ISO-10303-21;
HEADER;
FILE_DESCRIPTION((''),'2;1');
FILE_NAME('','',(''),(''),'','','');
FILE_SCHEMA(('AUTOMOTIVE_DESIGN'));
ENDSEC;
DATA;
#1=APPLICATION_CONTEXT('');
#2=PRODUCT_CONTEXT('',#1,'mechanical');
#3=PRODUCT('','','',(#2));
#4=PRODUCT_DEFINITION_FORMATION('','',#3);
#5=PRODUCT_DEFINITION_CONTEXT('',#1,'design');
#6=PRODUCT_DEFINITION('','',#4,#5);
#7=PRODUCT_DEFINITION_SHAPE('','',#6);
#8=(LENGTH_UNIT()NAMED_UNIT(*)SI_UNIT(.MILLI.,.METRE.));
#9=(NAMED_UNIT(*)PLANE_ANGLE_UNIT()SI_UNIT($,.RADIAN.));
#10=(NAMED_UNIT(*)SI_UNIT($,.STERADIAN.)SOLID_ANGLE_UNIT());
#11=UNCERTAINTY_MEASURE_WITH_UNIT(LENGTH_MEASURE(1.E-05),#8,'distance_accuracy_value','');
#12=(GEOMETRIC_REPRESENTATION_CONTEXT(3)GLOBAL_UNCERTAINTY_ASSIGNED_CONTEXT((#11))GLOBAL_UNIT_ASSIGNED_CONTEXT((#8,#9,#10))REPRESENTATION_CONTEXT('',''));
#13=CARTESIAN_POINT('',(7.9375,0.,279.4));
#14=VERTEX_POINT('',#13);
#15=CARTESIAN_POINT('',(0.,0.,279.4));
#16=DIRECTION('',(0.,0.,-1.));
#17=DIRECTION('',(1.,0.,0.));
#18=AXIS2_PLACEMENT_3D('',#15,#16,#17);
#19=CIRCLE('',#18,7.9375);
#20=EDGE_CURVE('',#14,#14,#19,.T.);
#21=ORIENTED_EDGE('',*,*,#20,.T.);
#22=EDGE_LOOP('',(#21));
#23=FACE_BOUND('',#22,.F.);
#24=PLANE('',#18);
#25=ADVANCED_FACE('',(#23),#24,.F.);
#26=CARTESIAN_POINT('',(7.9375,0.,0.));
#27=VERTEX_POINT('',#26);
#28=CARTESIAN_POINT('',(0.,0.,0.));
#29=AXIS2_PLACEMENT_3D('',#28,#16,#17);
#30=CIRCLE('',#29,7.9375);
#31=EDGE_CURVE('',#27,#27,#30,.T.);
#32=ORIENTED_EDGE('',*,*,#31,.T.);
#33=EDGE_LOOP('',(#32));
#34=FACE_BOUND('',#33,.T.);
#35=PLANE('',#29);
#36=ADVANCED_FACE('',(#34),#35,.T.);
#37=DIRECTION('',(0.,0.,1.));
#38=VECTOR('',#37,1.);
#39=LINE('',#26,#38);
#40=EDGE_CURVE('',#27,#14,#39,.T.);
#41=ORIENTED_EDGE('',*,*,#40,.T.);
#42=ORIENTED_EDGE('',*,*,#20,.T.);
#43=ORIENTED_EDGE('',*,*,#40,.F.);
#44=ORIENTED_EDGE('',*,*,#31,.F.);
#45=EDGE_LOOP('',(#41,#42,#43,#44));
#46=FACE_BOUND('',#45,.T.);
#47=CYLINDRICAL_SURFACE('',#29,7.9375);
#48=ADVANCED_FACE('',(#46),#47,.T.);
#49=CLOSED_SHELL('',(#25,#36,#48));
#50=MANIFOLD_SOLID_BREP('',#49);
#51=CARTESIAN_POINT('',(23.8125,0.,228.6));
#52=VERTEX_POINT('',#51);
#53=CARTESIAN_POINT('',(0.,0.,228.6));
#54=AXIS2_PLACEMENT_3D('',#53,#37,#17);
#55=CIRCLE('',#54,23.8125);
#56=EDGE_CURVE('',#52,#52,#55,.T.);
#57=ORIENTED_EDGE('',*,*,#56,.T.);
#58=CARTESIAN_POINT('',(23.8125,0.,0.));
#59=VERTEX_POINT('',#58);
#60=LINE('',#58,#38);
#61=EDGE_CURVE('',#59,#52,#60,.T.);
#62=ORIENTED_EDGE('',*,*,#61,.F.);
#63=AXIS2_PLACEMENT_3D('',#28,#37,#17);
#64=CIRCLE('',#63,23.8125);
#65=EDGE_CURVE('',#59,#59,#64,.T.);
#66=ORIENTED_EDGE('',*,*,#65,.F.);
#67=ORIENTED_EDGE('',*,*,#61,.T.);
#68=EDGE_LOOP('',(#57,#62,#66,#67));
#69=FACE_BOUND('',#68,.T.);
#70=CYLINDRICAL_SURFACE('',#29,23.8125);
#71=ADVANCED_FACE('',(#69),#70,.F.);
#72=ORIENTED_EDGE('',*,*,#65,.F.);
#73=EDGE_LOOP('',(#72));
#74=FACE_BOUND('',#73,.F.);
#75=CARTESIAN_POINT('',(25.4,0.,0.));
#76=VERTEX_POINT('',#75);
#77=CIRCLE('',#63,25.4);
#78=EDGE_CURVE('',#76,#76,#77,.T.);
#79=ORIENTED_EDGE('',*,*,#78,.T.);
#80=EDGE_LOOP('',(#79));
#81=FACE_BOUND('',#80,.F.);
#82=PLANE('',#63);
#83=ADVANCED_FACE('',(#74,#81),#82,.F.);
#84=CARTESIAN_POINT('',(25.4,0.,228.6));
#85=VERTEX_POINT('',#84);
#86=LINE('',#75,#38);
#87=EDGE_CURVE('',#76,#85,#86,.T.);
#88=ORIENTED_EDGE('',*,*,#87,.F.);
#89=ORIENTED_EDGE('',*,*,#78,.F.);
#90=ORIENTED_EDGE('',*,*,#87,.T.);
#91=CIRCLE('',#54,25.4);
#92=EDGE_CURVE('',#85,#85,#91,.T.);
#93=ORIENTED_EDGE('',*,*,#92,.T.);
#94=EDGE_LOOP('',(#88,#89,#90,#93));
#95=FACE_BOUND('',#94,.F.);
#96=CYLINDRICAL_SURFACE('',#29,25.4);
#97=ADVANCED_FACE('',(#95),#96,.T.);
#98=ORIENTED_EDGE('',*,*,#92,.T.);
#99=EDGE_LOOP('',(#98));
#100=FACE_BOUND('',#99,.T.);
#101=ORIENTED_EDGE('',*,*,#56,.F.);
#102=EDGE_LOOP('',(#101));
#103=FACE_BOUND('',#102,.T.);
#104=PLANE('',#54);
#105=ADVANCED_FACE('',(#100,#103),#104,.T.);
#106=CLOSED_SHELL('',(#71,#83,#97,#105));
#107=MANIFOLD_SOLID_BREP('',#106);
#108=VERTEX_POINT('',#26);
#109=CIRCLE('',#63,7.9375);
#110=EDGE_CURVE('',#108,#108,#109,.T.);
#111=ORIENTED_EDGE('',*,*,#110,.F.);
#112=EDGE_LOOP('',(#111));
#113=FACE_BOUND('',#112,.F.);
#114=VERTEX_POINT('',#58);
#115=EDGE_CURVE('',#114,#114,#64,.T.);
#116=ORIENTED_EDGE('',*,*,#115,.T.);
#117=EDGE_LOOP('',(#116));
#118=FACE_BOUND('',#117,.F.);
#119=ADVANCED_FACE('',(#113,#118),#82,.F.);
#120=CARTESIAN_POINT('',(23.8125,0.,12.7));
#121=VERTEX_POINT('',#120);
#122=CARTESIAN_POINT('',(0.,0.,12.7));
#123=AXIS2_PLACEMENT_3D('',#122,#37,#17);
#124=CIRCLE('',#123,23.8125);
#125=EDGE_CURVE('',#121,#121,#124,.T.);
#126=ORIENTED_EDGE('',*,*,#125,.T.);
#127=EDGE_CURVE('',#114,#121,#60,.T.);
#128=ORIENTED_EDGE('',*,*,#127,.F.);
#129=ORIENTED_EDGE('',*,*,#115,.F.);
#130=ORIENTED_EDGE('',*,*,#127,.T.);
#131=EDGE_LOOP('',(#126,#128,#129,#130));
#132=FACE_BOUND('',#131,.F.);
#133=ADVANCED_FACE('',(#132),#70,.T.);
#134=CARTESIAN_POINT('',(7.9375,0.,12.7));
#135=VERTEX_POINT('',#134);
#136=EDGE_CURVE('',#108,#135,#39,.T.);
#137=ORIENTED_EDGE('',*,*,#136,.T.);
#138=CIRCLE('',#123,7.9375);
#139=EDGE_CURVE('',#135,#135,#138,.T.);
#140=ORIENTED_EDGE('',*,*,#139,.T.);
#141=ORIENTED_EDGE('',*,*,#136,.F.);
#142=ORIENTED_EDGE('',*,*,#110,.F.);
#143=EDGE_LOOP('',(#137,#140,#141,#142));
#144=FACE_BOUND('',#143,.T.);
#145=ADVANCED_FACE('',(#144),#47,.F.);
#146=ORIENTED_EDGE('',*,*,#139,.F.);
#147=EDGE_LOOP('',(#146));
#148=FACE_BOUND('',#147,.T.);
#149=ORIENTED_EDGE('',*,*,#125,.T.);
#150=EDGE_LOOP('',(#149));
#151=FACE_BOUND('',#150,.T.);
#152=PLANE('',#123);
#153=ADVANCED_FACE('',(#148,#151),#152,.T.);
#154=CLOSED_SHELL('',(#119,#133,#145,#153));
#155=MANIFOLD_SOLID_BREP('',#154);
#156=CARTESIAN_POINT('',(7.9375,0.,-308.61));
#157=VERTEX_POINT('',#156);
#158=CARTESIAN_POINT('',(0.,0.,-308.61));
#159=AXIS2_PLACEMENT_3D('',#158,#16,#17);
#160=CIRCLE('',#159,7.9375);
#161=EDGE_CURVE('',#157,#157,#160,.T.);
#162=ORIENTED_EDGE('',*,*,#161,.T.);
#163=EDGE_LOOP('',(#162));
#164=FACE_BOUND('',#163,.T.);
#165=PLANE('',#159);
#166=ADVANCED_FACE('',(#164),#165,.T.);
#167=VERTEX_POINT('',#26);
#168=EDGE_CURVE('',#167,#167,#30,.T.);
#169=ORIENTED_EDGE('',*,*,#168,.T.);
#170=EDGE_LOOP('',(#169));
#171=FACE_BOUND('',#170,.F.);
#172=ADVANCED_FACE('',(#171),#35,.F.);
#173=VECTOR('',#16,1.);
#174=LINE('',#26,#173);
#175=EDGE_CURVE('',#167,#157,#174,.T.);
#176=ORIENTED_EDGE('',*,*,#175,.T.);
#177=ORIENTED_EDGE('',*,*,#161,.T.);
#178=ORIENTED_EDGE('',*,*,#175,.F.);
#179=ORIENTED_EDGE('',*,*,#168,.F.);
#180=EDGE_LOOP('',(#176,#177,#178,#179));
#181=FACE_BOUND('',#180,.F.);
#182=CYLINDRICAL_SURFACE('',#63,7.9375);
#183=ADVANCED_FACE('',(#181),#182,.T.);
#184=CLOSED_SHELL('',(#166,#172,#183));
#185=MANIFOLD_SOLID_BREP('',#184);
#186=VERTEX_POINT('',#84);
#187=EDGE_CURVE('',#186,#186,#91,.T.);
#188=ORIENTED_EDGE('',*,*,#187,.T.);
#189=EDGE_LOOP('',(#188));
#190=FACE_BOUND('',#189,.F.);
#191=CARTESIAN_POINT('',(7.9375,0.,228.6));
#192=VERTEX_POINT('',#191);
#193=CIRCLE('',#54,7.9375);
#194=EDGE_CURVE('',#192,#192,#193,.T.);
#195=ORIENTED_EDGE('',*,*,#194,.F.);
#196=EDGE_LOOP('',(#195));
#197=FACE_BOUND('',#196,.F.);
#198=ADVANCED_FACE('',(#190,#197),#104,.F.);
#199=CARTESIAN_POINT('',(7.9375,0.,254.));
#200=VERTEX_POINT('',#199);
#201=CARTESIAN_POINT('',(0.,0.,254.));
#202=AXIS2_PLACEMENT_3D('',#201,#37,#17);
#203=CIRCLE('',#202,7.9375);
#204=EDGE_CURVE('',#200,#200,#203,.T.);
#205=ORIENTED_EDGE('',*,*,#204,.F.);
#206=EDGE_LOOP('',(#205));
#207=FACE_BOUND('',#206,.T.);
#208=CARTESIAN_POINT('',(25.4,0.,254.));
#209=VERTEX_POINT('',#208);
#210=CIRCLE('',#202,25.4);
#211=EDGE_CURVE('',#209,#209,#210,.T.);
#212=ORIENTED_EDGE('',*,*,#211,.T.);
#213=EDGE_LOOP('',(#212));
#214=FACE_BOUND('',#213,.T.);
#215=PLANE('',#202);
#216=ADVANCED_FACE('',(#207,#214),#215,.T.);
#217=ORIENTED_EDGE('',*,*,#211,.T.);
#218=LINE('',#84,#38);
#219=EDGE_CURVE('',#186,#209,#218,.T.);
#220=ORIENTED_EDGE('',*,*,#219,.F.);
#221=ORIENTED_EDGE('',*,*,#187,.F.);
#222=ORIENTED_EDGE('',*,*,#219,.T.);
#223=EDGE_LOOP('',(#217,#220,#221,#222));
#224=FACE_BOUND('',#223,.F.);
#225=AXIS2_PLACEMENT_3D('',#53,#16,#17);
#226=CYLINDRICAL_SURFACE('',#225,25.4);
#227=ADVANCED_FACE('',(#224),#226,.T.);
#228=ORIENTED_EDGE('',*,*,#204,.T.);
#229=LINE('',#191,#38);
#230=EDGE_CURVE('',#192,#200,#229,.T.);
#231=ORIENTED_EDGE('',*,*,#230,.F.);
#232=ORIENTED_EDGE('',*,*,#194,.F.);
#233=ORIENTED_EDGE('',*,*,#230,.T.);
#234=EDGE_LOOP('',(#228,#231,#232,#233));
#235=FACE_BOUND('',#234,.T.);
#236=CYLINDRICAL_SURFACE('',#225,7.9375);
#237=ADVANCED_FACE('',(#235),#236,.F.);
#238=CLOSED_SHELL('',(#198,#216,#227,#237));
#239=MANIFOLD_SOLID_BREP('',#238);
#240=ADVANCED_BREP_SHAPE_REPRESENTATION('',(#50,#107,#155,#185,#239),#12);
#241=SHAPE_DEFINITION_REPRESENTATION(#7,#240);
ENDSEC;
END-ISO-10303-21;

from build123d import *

# Parameters (mm, degrees)
F0_R     = 25.4
F0_R_2   = 23.8125
F1_DEPTH = 228.6
F2_R     = 25.4
F2_R_2   = 7.9375
F3_DEPTH = 25.4
F4_R     = 23.8125
F4_R_2   = 7.9375
F5_DEPTH = 12.7
F6_R     = 7.9375
F7_DEPTH = 279.4
F8_R     = 7.9375
F9_DEPTH = 308.61


with BuildPart() as f1:
    # F0 (on Top) → F1 (new body)
    with BuildSketch(Plane.XY):
        Circle(F0_R)
        Circle(F0_R_2, mode=Mode.SUBTRACT)
    extrude(amount=F1_DEPTH)


with BuildPart() as f3:
    # F2 (on face) → F3 (new body)
    with BuildSketch(Plane.XY.offset(228.6)):
        Circle(F2_R)
        Circle(F2_R_2, mode=Mode.SUBTRACT)
    extrude(amount=F3_DEPTH)


with BuildPart() as f5:
    # F4 (on Top) → F5 (new body)
    with BuildSketch(Plane.XY):
        Circle(F4_R)
        Circle(F4_R_2, mode=Mode.SUBTRACT)
    extrude(amount=F5_DEPTH)


with BuildPart() as f7:
    # F6 (on face) → F7 (new body)
    with BuildSketch(Plane(origin=(0, 0, 0), x_dir=(1, 0, 0), z_dir=(0, 0, -1))):
        Circle(F6_R)
    extrude(amount=-F7_DEPTH)


with BuildPart() as f9:
    # F8 (on face) → F9 (new body)
    with BuildSketch(Plane(origin=(0, 0, 0), x_dir=(1, 0, 0), z_dir=(0, 0, -1))):
        Circle(F8_R)
    extrude(amount=F9_DEPTH)


solid = Compound([f1.part, f3.part, f5.part, f7.part, f9.part])
